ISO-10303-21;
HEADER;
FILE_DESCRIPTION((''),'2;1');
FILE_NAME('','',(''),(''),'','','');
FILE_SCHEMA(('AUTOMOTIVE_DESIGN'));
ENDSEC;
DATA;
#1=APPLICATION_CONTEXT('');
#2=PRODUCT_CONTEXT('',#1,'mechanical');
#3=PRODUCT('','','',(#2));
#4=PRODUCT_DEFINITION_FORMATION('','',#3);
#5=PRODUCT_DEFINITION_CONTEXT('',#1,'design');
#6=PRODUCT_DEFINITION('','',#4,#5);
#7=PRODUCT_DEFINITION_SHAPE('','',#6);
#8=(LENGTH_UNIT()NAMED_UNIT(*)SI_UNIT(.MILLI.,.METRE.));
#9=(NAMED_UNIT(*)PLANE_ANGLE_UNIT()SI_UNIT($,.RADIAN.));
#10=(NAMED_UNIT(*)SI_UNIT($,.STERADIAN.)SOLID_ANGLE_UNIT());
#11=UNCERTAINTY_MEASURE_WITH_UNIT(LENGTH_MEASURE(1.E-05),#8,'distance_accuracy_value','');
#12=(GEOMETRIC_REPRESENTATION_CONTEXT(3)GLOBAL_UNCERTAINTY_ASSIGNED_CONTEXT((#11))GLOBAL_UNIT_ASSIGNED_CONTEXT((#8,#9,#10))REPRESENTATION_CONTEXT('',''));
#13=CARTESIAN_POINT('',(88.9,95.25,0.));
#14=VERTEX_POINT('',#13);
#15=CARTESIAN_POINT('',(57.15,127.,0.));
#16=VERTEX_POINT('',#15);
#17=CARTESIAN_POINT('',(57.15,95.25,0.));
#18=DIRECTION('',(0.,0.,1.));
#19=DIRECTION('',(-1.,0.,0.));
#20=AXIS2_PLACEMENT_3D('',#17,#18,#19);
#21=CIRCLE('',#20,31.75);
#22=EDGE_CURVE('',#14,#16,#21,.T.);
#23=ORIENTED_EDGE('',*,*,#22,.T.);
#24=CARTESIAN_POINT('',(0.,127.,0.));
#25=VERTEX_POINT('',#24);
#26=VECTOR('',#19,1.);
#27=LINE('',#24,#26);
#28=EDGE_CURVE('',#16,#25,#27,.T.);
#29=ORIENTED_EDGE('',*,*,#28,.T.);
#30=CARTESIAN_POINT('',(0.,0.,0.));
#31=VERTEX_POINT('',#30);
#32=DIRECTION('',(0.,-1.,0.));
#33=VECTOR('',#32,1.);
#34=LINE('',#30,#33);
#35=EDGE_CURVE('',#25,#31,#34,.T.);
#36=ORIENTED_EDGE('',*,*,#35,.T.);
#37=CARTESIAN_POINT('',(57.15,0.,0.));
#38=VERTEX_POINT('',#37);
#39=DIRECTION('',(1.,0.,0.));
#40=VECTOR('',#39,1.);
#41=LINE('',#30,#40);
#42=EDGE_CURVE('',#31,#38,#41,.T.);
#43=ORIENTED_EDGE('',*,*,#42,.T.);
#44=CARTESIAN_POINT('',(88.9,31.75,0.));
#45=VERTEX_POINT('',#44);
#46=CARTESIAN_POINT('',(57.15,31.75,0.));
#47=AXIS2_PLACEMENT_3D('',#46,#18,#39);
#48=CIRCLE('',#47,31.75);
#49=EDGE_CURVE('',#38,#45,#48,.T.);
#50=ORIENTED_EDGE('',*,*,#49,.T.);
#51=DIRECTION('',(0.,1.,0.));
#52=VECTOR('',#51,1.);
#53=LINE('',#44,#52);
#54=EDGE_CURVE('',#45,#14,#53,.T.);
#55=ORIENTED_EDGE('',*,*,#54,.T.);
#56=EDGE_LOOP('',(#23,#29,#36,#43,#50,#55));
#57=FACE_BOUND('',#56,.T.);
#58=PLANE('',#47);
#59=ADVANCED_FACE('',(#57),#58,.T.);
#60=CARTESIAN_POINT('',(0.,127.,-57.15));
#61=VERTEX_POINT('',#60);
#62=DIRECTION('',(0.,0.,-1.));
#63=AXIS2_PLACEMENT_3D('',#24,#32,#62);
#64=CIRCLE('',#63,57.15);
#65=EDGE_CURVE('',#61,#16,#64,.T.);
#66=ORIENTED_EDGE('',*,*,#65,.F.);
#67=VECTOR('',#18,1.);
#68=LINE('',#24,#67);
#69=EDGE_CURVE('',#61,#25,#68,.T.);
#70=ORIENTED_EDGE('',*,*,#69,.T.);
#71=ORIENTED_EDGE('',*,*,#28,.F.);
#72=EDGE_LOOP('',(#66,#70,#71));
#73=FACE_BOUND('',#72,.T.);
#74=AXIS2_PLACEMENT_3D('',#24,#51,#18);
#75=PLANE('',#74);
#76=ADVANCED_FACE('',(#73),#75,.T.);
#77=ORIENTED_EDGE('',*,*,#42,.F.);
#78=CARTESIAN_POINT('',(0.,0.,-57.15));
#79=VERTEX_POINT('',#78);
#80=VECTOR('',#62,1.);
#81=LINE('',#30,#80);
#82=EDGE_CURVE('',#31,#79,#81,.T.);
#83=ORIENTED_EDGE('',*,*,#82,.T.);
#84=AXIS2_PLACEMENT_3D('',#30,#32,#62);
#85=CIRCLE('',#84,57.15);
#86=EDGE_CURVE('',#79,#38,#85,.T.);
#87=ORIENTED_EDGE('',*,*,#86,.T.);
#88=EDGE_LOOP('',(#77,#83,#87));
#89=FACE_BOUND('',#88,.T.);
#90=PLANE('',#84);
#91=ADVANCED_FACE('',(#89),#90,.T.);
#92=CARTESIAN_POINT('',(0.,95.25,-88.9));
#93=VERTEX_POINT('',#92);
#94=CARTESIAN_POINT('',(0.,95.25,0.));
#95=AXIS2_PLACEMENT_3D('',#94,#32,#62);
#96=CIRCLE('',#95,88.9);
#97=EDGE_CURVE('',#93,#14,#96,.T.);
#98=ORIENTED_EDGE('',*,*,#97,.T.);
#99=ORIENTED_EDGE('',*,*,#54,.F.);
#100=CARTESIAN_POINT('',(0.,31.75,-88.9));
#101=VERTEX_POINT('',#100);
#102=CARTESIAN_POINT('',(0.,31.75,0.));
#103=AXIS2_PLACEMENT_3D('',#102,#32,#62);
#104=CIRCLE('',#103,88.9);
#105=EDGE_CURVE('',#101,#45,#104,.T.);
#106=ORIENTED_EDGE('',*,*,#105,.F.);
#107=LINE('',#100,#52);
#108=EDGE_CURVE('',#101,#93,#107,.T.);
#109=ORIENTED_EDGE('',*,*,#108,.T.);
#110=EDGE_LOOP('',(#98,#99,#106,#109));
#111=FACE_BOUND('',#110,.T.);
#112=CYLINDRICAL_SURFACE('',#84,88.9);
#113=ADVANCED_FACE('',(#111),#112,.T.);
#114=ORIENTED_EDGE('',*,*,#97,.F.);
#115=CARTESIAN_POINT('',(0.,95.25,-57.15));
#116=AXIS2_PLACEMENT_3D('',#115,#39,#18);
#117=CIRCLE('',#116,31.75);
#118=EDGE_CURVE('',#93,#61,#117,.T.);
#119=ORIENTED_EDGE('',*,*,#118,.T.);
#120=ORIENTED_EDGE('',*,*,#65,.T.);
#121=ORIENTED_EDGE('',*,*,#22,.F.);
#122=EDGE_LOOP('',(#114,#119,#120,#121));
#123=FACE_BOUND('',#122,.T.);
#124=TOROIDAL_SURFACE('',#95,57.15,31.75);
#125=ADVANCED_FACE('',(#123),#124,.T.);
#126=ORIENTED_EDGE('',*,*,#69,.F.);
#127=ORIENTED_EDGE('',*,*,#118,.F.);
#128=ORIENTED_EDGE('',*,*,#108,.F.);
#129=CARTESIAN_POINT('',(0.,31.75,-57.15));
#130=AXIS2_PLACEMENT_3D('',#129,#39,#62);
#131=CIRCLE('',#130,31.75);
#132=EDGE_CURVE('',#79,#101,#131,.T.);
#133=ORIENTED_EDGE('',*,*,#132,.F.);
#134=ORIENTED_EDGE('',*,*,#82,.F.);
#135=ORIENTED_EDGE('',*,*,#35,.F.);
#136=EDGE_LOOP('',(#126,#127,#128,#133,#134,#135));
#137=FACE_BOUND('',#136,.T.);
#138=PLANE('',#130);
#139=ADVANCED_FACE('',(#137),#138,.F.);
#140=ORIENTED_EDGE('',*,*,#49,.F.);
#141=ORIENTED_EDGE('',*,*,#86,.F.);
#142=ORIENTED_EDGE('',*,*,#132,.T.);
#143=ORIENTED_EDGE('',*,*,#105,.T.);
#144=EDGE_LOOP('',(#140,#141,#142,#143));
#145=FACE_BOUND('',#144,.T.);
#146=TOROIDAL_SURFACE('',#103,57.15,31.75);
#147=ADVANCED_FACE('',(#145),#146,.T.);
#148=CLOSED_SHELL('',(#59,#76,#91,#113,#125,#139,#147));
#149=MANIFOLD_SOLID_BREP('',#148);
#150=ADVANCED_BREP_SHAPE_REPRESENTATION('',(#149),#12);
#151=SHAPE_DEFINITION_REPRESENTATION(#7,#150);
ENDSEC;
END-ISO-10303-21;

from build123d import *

# Parameters (mm, degrees)
REVOLVE1_ANGLE = 90


with BuildPart() as part:
    # Sketch1 → Revolve1 (revolve)
    with BuildSketch(Plane.XY):
        with BuildLine():
            Line((0, 0), (57.15, 0))
            ThreePointArc((57.15, 0), (79.600640303, 9.299359697), (88.9, 31.75))
            Line((88.9, 31.75), (88.9, 95.25))
            ThreePointArc((88.9, 95.25), (79.600640303, 117.700640303), (57.15, 127))
            Line((57.15, 127), (0, 127))
            Line((0, 127), (0, 0))
        make_face()
    revolve(axis=Axis((0, 0, 0), (0, 1, 0)), revolution_arc=REVOLVE1_ANGLE)


solid = part.part
